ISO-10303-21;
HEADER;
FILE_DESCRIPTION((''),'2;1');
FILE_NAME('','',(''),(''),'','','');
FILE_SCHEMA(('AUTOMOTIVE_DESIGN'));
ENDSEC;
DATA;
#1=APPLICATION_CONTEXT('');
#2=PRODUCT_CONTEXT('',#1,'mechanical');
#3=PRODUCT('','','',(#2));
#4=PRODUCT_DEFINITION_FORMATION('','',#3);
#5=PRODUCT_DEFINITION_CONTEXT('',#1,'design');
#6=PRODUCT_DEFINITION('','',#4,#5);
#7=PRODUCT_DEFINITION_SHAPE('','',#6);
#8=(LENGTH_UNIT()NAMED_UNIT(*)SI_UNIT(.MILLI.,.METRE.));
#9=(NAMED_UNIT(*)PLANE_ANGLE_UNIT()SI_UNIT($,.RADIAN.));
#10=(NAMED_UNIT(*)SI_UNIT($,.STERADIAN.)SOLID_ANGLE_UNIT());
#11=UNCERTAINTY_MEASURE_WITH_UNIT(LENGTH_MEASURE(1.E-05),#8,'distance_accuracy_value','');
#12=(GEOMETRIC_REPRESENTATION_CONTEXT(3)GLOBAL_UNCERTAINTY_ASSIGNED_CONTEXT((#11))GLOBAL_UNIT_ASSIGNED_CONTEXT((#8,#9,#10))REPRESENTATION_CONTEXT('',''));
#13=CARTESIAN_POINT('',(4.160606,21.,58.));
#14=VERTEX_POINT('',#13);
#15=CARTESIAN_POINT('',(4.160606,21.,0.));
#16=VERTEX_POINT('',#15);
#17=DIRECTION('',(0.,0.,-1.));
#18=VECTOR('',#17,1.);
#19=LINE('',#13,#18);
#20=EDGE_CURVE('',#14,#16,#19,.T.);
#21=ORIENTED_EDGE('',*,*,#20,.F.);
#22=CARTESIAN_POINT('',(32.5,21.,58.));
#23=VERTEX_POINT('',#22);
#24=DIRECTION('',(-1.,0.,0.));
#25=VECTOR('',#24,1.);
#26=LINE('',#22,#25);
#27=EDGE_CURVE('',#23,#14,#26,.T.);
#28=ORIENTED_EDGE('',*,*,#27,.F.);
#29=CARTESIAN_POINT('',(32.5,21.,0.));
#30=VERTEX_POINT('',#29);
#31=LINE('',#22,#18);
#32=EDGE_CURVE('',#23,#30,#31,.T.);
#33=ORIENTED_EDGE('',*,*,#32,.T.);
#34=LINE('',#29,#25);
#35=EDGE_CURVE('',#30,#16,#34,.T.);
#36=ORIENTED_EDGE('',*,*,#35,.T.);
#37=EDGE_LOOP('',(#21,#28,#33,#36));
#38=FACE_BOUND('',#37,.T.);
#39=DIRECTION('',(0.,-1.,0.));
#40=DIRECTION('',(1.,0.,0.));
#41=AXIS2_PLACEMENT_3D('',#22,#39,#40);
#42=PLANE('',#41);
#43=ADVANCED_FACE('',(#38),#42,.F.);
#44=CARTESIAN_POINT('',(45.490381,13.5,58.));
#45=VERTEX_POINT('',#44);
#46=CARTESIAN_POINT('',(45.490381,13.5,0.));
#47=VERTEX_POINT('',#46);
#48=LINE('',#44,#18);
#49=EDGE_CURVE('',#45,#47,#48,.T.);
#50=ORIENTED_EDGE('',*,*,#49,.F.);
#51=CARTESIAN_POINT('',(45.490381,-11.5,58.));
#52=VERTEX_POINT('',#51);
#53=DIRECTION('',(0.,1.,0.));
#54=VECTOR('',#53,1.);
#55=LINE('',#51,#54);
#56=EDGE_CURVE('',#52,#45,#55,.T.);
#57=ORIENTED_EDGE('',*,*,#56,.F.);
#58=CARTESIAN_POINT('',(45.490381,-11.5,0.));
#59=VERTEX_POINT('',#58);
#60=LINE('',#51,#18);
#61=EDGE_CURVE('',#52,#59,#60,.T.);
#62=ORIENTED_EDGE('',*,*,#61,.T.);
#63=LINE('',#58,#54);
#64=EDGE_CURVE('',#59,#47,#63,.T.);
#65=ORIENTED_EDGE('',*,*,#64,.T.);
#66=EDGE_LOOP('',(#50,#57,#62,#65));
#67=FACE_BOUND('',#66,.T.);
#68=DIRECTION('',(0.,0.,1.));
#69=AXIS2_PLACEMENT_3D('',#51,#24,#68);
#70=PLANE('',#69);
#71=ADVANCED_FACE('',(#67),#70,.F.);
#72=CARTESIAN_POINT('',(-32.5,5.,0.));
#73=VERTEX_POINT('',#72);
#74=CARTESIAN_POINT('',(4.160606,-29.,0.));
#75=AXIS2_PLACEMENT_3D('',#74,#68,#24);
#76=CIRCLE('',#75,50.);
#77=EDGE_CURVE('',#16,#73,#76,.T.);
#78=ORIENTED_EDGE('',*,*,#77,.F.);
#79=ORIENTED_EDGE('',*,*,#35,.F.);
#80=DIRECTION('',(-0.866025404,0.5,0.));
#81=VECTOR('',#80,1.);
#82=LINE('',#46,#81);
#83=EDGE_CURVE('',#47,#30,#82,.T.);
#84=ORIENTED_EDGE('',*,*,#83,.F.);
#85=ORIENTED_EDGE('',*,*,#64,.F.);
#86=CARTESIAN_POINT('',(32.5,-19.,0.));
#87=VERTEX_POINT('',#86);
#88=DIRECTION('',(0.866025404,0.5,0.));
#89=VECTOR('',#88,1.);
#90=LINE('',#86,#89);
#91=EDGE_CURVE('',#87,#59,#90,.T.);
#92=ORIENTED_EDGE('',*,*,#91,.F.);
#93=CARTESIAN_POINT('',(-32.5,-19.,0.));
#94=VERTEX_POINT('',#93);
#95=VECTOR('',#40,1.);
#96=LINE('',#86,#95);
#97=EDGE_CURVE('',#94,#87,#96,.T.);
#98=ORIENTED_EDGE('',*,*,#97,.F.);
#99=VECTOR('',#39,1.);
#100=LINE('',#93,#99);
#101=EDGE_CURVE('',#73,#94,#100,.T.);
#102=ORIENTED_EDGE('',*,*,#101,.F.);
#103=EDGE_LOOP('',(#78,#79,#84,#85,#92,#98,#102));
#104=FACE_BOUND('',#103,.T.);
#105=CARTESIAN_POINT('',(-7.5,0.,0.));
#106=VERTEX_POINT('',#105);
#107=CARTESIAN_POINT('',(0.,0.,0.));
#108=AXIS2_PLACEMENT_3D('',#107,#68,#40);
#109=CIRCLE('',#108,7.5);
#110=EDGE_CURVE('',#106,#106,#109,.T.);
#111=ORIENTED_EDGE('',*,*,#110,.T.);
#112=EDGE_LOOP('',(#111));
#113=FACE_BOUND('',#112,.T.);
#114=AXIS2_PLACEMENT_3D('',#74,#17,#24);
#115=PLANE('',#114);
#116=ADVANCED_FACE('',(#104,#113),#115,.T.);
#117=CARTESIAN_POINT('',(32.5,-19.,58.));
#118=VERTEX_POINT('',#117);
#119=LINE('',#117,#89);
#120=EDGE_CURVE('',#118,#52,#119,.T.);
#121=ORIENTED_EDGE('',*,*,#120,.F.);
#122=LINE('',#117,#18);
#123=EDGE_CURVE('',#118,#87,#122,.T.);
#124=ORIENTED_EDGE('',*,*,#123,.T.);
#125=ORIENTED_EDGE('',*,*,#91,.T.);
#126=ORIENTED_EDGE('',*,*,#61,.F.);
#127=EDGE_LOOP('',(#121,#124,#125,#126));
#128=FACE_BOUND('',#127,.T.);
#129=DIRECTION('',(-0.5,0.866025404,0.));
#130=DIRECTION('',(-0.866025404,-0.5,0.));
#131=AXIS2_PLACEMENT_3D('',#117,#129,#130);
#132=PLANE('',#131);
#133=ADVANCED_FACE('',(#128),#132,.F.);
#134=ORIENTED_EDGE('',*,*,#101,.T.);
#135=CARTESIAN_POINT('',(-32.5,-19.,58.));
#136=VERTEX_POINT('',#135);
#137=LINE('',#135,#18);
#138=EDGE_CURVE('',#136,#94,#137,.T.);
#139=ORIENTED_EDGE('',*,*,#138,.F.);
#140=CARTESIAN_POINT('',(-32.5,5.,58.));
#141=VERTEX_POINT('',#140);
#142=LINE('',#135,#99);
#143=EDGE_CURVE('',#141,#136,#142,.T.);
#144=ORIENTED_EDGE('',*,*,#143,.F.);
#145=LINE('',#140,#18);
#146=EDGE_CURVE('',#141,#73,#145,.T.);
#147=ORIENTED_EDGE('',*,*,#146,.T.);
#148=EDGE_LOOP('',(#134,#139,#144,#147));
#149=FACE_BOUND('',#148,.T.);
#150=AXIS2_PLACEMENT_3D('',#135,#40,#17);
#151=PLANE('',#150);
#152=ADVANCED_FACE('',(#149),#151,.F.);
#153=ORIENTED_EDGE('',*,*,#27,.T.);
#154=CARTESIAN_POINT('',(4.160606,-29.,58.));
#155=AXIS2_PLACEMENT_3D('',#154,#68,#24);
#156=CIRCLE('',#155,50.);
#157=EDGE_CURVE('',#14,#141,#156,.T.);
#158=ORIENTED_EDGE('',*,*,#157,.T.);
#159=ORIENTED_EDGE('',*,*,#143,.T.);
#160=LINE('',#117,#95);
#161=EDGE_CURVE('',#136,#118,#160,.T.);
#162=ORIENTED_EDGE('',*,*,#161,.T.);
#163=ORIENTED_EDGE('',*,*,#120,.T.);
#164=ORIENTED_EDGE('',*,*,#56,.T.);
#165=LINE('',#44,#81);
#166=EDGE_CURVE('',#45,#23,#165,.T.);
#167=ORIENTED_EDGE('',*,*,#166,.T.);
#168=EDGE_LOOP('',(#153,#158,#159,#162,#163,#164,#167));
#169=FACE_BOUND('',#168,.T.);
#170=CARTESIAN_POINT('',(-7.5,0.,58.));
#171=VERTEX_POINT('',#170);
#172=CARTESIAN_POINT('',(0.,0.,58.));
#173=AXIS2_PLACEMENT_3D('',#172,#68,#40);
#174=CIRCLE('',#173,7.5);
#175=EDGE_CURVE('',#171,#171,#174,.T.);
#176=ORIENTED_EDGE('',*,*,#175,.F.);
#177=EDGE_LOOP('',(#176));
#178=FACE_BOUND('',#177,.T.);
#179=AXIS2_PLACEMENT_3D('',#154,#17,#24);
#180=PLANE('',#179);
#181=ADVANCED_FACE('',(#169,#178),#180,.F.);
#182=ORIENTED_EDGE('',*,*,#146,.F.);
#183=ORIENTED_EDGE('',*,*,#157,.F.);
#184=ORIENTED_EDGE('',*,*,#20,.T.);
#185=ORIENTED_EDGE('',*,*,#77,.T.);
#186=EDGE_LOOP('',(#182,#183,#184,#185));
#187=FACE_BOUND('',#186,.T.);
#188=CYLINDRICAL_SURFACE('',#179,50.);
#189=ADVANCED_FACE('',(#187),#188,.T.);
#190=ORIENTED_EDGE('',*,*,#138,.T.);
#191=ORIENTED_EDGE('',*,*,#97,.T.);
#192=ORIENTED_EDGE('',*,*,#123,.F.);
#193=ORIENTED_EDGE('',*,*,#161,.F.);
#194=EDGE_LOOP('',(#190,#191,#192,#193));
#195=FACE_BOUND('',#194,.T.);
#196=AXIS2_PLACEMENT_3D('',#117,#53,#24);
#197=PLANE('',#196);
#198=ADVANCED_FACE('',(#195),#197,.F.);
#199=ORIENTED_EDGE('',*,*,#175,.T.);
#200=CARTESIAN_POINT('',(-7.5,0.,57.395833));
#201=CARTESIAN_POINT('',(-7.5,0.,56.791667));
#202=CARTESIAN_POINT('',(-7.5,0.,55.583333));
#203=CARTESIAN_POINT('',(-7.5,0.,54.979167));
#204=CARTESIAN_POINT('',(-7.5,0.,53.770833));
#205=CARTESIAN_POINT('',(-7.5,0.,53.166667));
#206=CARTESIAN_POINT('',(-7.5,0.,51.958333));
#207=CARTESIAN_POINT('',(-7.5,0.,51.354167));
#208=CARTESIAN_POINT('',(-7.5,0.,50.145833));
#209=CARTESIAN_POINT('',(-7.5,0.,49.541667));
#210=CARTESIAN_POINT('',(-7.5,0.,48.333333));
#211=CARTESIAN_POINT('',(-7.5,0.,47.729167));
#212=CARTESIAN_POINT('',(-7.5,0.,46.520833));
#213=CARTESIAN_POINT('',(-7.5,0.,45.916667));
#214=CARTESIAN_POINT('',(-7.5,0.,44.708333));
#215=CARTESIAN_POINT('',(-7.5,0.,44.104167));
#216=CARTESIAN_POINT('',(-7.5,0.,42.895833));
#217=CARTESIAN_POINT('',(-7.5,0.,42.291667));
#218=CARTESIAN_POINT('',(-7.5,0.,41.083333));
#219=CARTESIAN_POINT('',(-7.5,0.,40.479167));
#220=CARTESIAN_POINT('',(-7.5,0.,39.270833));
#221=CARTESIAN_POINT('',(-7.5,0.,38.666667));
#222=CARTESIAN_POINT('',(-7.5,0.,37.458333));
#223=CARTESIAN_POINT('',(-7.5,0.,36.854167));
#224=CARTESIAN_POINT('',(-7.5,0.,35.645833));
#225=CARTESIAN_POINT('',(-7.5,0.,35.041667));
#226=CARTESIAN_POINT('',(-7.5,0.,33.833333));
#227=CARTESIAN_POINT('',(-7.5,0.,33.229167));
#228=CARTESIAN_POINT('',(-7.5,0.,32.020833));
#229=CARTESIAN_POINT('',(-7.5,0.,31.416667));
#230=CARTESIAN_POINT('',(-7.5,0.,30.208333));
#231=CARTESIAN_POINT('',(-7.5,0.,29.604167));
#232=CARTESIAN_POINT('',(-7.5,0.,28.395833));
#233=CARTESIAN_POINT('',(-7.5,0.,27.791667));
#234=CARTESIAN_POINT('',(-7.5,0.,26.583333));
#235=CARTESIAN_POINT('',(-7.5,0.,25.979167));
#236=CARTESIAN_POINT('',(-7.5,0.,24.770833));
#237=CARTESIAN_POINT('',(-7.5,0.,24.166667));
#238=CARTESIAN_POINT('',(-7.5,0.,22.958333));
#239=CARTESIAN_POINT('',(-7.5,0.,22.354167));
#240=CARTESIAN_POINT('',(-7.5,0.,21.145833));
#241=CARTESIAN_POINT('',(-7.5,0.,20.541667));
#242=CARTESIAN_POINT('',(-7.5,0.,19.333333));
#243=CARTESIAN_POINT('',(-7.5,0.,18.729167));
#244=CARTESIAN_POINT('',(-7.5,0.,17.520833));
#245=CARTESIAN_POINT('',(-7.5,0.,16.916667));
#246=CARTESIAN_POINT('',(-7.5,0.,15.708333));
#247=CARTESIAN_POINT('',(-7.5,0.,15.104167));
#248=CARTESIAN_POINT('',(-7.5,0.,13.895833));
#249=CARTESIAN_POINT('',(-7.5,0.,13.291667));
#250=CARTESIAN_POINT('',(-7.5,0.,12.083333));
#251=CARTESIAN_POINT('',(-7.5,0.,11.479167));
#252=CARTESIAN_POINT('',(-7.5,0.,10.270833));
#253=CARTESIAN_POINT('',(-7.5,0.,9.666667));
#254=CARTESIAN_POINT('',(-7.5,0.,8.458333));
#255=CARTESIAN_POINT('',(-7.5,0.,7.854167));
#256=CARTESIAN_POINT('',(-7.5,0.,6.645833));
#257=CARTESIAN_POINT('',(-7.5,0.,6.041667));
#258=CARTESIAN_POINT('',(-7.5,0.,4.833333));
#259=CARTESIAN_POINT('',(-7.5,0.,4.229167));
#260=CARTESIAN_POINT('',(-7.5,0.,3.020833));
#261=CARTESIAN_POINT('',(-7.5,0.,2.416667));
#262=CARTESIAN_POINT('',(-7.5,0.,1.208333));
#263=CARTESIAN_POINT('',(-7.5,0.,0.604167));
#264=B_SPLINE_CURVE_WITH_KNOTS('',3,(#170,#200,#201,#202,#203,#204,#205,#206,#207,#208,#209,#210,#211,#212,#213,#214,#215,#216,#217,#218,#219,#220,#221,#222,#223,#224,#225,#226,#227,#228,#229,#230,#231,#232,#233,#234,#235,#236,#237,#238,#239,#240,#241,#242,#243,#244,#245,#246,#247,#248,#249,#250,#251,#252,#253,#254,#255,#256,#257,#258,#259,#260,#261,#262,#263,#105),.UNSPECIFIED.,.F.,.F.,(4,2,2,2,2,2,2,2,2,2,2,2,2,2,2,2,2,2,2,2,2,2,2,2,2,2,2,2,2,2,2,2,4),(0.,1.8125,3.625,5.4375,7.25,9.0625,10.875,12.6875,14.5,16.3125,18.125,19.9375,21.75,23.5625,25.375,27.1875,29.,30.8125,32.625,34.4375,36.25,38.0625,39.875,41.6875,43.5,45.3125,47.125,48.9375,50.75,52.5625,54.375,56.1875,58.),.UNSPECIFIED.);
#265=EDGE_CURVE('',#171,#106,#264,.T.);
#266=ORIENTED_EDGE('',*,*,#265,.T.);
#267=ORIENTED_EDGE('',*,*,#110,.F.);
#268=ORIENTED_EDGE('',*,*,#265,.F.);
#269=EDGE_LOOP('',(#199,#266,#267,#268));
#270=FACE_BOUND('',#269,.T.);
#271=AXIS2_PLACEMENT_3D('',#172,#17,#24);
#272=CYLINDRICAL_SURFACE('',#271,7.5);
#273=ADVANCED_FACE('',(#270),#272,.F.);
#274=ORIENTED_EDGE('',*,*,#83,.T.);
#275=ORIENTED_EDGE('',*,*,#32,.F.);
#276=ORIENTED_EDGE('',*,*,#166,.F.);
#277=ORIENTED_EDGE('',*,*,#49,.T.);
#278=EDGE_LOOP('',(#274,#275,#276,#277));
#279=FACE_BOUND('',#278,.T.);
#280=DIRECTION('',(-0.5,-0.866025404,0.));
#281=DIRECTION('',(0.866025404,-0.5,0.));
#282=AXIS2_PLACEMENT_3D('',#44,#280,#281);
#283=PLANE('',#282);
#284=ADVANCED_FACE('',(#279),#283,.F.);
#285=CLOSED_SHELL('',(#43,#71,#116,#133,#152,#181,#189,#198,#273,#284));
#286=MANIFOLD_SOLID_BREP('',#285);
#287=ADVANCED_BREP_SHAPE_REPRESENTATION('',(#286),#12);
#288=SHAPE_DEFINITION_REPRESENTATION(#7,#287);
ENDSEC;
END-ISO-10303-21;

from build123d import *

# Parameters (mm, degrees)
SKETCH1_R           = 7.5
BOSS_EXTRUDE1_DEPTH = 58


with BuildPart() as part:
    # Sketch1 → Boss-Extrude1 (new body)
    with BuildSketch(Plane.XY):
        with BuildLine():
            Line((32.5, -19), (-32.5, -19))
            Line((-32.5, -19), (-32.5, 5))
            ThreePointArc((-32.5, 5), (-15.83939444, 16.82575695), (4.16060556, 21))
            Line((4.16060556, 21), (32.5, 21))
            Line((32.5, 21), (45.490381057, 13.5))
            Line((45.490381057, 13.5), (45.490381057, -11.5))
            Line((45.490381057, -11.5), (32.5, -19))
        make_face()
        with Locations(Location((0, 0, 0), (0, 0, 180))):
            Circle(SKETCH1_R, mode=Mode.SUBTRACT)
    extrude(amount=BOSS_EXTRUDE1_DEPTH)


solid = part.part
